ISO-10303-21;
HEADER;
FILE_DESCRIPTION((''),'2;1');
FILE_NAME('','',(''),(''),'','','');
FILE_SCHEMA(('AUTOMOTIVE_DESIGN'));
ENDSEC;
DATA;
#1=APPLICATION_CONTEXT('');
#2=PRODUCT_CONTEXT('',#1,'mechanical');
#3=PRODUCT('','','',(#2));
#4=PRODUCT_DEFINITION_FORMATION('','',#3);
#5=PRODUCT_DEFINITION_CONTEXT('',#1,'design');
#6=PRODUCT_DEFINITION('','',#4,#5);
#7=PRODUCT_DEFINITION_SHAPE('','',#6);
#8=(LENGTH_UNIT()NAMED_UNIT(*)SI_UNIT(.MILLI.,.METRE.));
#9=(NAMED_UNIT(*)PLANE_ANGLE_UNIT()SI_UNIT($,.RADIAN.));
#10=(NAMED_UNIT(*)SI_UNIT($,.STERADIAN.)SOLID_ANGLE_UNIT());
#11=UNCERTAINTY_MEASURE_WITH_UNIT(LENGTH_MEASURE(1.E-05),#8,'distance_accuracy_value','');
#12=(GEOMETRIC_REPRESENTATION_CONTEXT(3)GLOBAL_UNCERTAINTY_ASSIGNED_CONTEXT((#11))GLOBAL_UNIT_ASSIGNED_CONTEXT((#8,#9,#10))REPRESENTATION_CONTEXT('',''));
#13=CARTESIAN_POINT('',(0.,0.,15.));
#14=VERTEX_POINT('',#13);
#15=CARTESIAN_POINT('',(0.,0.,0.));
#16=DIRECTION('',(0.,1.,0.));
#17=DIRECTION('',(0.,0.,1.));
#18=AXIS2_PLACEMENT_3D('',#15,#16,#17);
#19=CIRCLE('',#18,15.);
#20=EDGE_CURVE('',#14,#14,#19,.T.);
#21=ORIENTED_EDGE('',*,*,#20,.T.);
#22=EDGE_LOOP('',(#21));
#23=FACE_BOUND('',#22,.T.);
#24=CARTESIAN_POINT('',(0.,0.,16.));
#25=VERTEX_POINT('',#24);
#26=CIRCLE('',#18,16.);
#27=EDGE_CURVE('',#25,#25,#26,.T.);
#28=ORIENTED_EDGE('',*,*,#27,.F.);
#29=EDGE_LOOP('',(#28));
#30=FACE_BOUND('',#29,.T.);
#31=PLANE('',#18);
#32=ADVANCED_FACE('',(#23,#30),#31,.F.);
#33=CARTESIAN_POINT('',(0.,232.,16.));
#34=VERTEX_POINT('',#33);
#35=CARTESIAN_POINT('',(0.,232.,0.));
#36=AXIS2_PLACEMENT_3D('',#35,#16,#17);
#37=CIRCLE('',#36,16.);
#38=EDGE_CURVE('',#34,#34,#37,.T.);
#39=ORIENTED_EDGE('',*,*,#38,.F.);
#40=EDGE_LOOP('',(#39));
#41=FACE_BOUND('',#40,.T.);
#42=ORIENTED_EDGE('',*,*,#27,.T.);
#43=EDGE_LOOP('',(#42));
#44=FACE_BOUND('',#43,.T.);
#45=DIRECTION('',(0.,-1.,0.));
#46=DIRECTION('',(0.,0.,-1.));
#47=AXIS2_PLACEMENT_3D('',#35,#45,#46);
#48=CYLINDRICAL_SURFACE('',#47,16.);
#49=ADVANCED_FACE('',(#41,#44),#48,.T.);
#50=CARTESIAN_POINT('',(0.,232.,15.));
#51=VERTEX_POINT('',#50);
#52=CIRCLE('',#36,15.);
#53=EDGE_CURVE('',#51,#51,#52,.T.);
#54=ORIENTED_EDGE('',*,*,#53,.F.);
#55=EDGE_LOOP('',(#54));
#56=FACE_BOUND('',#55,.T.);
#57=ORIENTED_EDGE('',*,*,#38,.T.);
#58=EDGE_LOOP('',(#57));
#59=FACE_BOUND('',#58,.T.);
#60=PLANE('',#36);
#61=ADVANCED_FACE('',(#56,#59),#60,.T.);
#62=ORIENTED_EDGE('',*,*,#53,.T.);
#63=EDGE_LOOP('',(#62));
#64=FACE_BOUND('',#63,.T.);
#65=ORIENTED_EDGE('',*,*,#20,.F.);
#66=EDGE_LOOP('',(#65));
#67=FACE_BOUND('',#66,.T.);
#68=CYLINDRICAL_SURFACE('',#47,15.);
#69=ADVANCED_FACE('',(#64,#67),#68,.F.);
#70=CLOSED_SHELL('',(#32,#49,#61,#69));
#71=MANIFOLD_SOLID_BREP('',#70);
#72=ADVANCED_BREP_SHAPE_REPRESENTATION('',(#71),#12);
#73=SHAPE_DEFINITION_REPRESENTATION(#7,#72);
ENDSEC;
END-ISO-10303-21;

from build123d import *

# Parameters (mm, degrees)
SKETCH_1_R      = 16
SKETCH_1_R_2    = 15
EXTRUDE_1_DEPTH = 232


with BuildPart() as part:
    # 草图1 → 凸台-拉伸1 (new body)
    with BuildSketch(Plane(origin=(0, 0, 0), x_dir=(1, 0, 0), z_dir=(0, 1, 0))):
        Circle(SKETCH_1_R)
        Circle(SKETCH_1_R_2, mode=Mode.SUBTRACT)
    extrude(amount=EXTRUDE_1_DEPTH)


solid = part.part
